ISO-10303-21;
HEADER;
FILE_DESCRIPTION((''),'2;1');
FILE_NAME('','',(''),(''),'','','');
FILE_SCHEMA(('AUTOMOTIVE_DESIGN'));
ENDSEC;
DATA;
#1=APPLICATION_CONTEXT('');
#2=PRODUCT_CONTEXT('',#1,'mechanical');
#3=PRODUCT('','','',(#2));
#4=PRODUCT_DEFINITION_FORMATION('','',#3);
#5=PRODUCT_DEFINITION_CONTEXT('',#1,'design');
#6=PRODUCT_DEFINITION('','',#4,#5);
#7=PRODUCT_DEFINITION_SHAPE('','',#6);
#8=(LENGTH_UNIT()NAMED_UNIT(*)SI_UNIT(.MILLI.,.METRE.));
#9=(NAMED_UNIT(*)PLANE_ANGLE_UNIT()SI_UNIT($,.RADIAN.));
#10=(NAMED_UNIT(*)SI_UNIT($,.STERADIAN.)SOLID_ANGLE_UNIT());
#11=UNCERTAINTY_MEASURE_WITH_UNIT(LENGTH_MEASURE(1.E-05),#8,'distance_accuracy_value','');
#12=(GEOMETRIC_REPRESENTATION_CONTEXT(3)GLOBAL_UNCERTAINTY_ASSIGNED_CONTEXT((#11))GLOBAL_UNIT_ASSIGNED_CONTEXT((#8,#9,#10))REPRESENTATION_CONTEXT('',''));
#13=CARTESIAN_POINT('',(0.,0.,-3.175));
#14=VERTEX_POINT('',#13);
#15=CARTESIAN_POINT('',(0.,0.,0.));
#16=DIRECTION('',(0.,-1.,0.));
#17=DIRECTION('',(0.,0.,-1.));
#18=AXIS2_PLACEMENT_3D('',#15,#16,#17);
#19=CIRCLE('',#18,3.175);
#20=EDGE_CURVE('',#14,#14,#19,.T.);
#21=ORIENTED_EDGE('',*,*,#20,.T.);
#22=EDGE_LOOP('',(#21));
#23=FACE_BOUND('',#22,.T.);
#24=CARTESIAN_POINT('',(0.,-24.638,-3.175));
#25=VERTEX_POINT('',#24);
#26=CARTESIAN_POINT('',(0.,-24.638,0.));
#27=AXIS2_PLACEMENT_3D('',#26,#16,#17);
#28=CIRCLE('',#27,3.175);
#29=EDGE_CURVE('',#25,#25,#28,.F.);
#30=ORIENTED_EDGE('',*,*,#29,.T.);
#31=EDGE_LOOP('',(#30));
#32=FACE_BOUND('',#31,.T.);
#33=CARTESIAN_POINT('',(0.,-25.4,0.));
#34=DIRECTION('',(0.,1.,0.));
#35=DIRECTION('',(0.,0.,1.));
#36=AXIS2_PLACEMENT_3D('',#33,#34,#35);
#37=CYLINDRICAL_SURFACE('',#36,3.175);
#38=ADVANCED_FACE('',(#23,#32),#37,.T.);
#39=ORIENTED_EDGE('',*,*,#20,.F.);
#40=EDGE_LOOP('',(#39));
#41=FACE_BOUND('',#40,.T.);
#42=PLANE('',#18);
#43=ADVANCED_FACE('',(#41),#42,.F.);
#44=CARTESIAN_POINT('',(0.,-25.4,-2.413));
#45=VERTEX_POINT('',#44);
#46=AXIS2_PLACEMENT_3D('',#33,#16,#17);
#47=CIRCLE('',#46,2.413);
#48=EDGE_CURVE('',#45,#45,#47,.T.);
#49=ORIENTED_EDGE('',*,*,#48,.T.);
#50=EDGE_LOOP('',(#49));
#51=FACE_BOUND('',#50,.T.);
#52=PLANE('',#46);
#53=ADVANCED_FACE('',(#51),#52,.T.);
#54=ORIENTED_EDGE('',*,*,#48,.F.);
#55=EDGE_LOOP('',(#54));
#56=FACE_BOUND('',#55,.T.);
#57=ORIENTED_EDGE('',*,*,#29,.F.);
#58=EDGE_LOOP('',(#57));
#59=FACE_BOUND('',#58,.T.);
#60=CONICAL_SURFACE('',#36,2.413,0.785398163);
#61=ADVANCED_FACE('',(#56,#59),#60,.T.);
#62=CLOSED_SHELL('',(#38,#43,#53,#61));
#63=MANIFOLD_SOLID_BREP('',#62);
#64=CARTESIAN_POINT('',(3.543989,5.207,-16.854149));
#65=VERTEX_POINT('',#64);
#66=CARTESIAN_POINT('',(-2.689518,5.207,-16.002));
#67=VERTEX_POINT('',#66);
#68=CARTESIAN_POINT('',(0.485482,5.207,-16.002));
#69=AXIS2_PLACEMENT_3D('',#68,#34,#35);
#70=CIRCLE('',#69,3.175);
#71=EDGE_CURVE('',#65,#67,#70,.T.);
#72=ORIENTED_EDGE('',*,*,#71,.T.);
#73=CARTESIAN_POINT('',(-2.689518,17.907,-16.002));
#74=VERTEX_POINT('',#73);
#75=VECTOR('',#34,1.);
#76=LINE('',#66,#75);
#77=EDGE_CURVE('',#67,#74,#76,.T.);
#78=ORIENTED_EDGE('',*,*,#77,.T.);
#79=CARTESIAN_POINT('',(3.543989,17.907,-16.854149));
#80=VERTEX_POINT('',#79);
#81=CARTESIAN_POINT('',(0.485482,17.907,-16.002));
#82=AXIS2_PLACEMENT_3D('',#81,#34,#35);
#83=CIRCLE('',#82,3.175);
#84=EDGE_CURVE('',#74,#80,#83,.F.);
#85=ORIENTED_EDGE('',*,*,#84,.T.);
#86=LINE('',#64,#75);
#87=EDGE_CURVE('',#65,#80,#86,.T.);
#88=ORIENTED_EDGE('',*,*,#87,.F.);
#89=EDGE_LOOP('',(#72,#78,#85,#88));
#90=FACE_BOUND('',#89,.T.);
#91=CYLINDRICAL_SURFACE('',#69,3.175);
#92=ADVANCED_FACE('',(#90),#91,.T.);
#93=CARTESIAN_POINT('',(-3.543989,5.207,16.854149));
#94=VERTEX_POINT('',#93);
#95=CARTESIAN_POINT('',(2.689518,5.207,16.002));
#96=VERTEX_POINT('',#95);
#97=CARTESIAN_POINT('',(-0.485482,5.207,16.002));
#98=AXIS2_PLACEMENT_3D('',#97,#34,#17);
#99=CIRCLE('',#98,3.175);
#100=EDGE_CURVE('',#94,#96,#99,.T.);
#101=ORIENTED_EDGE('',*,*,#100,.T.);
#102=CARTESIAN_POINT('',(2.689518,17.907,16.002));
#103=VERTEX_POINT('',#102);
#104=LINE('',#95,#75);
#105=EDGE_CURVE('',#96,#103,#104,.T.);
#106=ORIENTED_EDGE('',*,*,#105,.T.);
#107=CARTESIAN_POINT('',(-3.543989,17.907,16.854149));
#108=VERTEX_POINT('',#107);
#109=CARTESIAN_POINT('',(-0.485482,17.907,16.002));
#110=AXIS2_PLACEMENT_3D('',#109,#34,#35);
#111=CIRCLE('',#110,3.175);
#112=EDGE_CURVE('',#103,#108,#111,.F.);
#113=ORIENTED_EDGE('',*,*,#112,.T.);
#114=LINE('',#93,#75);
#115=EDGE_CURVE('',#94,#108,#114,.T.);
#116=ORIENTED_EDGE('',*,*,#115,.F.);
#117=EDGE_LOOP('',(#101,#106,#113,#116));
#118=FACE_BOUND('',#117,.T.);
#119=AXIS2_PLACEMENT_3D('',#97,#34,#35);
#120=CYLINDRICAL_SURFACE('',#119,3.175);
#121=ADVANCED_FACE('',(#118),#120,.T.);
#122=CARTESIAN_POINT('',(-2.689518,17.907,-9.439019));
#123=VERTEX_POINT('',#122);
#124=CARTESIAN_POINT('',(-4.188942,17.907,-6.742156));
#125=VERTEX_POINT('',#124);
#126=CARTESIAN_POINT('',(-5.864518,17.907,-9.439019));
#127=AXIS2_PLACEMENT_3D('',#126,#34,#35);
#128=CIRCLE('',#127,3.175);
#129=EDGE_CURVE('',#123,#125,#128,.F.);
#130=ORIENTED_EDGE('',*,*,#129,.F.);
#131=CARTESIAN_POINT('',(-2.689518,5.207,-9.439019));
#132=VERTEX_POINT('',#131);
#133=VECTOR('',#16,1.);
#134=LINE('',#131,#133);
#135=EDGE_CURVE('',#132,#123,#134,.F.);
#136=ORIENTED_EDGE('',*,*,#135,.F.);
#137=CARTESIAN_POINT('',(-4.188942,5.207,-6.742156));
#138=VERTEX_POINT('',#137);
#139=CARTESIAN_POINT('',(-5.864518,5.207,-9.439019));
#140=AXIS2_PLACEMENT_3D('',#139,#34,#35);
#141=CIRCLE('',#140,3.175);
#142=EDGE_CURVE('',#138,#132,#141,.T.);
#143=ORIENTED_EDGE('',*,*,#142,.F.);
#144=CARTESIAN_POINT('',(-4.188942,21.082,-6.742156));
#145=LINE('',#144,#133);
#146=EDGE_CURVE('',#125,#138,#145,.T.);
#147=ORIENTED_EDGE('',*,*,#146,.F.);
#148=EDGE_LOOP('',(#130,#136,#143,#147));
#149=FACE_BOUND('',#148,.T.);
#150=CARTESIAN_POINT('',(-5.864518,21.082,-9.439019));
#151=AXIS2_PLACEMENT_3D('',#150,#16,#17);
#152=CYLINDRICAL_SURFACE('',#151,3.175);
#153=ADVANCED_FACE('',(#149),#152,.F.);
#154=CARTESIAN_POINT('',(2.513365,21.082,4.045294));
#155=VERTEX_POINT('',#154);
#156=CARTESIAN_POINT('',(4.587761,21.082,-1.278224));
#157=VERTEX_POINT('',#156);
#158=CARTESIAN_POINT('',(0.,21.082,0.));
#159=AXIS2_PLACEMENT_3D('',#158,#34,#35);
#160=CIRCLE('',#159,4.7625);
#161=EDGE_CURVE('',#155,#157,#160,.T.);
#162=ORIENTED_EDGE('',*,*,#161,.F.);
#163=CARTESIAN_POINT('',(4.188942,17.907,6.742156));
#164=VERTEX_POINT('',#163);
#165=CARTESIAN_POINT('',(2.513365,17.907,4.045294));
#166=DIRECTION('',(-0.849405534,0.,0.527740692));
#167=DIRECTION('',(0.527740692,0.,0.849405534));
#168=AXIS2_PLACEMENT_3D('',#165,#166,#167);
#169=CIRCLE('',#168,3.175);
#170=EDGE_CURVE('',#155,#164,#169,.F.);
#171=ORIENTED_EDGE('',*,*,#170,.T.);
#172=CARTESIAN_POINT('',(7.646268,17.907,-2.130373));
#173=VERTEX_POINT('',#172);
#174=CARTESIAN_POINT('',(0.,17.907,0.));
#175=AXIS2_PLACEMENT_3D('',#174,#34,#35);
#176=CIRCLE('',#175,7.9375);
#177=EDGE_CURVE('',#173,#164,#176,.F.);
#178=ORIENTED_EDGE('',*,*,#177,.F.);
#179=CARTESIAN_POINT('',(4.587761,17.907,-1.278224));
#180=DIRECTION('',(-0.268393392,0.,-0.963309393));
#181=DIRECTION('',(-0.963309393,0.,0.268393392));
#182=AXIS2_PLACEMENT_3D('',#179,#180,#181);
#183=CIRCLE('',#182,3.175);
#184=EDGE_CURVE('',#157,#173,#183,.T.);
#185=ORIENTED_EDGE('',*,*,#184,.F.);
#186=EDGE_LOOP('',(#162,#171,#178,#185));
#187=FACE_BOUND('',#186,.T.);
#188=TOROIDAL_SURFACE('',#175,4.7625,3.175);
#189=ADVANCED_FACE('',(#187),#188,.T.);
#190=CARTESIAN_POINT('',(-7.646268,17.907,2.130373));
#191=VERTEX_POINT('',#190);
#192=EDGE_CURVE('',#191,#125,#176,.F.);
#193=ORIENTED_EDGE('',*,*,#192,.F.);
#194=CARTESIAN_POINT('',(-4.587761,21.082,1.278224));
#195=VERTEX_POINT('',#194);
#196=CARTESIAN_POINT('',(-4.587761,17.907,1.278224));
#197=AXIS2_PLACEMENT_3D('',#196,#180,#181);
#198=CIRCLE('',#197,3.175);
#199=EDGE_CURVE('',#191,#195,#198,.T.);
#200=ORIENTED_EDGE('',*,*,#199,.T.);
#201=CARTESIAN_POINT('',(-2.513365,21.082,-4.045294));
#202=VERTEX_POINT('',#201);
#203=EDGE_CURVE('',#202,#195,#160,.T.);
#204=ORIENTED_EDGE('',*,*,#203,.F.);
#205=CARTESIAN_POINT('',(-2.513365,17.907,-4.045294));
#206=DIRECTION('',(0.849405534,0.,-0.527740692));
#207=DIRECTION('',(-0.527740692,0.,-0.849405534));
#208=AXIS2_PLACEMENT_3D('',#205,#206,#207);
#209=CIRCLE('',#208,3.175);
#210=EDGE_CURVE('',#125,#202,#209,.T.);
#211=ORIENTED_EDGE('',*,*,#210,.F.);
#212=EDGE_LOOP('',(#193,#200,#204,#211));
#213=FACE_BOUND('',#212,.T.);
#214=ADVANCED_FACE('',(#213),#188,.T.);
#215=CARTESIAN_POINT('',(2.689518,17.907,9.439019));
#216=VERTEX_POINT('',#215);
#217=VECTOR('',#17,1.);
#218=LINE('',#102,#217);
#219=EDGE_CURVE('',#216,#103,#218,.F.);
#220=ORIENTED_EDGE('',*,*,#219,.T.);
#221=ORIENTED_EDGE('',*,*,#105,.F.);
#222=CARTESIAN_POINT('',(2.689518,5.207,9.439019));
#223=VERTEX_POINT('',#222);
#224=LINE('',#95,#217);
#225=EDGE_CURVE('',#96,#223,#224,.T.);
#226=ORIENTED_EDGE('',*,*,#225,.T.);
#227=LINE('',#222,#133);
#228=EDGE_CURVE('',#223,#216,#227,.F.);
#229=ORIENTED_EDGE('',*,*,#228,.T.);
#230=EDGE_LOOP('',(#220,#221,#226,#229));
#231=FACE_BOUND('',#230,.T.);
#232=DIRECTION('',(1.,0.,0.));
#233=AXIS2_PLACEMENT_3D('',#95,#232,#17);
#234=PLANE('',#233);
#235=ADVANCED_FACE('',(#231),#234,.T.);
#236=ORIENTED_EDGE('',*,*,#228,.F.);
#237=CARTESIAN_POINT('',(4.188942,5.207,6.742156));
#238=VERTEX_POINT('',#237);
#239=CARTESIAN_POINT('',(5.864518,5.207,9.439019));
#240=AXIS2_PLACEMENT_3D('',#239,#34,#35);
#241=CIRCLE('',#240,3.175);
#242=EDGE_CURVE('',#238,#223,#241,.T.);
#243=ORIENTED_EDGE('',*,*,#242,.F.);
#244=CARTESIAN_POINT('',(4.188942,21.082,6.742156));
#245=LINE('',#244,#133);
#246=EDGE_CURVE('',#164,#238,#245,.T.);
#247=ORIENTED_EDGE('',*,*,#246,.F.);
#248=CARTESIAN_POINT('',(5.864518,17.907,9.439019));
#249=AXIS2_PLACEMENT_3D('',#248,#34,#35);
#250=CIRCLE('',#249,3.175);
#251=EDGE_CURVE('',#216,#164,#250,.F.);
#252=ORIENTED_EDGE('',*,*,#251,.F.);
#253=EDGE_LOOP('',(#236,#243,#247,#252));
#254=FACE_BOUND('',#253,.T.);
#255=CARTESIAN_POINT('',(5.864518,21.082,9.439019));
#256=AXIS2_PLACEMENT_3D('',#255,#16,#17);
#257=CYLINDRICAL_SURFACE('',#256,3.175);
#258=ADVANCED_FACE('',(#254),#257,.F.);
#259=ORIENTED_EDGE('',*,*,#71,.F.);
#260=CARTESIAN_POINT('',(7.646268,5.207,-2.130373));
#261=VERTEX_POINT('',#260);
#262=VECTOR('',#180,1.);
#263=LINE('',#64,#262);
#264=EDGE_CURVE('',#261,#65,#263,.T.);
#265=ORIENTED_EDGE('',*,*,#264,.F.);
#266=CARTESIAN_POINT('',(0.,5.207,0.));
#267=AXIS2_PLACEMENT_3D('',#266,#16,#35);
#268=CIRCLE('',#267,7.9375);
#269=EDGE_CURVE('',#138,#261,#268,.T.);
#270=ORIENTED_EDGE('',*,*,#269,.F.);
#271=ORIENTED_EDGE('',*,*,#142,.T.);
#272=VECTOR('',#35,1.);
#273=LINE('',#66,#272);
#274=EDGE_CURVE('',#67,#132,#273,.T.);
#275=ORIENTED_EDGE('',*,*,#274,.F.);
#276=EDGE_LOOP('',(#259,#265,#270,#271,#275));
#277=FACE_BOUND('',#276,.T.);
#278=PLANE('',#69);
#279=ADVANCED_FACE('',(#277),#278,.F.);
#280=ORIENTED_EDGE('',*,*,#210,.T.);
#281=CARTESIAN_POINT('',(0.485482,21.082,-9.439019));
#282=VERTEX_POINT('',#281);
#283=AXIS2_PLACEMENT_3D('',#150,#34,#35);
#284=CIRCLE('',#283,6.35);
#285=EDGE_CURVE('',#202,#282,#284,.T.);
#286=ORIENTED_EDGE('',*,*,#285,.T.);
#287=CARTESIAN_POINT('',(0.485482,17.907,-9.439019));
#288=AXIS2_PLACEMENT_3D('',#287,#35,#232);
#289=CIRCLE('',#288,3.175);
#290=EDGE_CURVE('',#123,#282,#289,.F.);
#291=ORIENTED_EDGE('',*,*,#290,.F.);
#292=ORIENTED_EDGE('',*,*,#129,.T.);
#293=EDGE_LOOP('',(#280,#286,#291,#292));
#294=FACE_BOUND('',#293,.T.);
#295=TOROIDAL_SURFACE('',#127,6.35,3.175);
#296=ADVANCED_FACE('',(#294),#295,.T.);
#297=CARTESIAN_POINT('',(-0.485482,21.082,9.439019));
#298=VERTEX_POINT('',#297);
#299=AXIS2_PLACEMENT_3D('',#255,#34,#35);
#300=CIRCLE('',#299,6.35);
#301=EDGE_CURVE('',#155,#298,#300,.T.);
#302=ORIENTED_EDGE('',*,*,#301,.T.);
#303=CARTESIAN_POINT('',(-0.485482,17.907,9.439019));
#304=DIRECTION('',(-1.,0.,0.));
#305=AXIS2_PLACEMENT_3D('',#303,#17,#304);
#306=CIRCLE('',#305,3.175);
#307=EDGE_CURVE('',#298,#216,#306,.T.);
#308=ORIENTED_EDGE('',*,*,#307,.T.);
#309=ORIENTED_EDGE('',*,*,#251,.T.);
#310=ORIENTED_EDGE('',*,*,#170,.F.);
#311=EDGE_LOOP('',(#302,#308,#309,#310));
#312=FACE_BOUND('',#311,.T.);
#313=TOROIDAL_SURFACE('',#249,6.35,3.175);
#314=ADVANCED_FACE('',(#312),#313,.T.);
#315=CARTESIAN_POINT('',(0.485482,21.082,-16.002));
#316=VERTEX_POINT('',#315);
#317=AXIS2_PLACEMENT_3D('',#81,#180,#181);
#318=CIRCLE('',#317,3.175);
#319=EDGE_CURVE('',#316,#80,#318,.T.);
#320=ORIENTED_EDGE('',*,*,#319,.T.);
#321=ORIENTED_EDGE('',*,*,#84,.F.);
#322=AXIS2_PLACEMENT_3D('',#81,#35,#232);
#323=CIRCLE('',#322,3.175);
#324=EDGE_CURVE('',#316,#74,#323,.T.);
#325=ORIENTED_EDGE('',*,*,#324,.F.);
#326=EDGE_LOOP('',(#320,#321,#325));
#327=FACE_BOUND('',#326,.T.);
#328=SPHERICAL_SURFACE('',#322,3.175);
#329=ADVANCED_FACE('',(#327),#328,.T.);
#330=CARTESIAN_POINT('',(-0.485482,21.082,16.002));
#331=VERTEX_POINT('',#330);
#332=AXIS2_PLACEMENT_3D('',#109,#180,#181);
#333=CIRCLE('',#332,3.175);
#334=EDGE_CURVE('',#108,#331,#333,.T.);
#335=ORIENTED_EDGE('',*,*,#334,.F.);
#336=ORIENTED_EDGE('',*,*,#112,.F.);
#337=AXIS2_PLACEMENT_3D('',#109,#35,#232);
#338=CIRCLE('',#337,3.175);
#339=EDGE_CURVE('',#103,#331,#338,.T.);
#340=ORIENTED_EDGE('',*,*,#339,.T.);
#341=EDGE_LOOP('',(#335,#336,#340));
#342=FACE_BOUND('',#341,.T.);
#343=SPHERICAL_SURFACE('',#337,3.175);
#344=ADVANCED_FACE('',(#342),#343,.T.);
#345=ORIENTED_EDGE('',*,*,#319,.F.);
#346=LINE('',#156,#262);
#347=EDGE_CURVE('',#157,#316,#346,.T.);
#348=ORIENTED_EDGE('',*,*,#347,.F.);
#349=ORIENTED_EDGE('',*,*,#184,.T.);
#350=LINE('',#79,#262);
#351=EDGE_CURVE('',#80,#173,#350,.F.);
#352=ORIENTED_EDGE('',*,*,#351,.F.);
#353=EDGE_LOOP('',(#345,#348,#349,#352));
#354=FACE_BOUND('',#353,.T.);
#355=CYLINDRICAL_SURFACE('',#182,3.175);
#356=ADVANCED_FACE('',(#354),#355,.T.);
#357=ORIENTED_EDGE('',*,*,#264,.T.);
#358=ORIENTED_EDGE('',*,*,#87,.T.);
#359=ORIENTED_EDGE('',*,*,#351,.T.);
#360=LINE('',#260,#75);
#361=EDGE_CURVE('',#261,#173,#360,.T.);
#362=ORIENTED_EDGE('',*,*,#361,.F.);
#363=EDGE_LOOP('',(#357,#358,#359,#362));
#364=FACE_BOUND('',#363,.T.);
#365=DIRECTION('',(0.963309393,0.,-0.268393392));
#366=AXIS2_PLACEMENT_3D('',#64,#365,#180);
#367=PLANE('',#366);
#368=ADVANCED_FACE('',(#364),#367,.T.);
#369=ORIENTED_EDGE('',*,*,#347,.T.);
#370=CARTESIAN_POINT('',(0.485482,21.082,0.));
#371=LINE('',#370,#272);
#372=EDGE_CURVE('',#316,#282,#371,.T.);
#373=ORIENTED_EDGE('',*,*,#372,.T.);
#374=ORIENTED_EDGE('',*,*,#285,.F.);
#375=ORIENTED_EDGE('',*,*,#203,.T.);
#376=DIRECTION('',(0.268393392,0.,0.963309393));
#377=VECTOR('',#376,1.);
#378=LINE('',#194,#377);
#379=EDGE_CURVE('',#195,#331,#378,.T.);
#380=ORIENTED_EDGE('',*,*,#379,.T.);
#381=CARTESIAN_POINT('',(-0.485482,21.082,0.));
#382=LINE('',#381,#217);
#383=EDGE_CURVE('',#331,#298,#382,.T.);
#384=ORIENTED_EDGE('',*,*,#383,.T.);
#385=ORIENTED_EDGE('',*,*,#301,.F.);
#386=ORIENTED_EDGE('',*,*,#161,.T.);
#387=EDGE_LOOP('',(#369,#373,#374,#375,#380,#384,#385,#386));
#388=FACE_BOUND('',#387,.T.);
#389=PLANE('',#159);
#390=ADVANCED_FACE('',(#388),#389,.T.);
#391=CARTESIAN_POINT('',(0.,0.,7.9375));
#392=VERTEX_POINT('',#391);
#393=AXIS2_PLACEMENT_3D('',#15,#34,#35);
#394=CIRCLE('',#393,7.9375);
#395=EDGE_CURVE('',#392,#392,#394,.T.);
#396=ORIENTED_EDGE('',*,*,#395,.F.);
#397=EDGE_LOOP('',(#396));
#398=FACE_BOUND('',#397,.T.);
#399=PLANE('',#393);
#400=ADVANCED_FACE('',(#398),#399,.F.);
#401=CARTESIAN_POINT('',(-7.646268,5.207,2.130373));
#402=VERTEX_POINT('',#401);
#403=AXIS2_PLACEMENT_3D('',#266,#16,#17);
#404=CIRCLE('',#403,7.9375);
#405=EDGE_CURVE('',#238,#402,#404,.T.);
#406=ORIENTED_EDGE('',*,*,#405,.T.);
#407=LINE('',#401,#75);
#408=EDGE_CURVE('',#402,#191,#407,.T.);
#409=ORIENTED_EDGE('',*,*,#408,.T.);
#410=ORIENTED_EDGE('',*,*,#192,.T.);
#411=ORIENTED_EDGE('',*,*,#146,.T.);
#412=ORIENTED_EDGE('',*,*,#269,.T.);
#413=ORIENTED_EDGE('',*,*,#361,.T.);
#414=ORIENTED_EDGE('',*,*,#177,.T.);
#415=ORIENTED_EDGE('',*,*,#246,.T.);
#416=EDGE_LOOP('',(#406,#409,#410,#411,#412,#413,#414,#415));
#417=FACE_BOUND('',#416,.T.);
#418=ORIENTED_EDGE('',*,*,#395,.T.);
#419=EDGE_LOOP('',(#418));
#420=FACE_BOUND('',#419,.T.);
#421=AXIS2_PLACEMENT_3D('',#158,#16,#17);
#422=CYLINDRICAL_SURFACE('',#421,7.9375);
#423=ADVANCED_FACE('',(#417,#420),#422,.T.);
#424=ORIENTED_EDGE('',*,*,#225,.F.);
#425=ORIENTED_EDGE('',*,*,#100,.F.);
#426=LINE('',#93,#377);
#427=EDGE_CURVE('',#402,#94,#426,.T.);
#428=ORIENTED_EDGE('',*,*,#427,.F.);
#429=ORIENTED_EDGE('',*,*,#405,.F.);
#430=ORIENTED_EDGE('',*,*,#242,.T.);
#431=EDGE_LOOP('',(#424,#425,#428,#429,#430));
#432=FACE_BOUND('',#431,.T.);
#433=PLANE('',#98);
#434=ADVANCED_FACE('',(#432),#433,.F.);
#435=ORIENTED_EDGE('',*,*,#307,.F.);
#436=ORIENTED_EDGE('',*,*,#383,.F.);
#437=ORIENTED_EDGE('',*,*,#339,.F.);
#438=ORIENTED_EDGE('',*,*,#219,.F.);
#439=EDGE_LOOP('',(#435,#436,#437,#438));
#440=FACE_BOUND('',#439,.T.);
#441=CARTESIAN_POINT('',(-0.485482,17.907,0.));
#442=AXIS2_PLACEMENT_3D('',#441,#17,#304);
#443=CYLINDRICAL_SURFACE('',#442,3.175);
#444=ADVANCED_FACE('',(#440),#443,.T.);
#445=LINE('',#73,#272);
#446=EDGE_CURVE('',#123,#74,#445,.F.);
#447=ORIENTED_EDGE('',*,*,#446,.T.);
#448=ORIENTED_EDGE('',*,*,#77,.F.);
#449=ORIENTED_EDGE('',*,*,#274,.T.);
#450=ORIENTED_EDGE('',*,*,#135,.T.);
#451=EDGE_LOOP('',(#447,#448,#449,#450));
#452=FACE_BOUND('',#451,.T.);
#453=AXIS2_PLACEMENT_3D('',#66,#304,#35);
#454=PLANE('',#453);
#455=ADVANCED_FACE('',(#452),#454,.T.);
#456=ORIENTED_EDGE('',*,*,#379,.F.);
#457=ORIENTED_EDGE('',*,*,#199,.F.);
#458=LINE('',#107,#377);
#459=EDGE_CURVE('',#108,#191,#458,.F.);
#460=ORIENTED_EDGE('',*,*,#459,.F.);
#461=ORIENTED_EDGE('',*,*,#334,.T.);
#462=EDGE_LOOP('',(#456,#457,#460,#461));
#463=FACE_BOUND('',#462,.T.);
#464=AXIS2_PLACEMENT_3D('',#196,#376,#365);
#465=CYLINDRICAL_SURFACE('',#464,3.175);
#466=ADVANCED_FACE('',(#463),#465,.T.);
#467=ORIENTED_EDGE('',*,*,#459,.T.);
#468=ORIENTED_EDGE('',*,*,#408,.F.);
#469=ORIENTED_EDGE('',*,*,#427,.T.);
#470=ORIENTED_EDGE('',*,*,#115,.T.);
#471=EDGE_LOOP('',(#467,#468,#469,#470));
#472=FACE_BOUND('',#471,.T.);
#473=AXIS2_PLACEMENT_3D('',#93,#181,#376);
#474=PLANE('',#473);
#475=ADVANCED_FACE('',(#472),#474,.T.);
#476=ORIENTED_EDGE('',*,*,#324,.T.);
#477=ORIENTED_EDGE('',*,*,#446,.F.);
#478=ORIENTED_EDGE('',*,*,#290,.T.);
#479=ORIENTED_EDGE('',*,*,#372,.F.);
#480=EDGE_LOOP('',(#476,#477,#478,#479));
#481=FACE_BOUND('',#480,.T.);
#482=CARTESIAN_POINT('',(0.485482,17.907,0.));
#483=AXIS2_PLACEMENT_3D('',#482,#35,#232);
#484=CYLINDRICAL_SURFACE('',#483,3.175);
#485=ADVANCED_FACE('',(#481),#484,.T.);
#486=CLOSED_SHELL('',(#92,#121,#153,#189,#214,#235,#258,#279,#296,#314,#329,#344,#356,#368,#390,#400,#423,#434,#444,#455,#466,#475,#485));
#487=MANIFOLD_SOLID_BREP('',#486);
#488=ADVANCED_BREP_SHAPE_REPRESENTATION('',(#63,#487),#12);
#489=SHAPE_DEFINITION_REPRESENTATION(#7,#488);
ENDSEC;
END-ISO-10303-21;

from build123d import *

# Parameters (mm, degrees)
SKETCH1_R         = 7.9375
EXTRUDE1_DEPTH    = 21.082
EXTRUDE2_DEPTH    = 15.875
CIRPATTERN4_COUNT = 2
FILLET1_R         = 3.175
SKETCH7_R         = 3.175
EXTRUDE3_DEPTH    = 25.4
CHAMFER1_SIZE     = 0.762


with BuildPart() as part:
    # Sketch1 → Extrude1 (new body)
    with BuildSketch(Plane(origin=(0, 0, 0), x_dir=(1, 0, 0), z_dir=(0, 1, 0))):
        Circle(SKETCH1_R)
    extrude(amount=EXTRUDE1_DEPTH)

    # Sketch2 → Extrude2 (add)
    with BuildSketch(Plane(origin=(0, 21.082, 0), x_dir=(-1, 0, 0), z_dir=(0, 1, 0))):
        with BuildLine():
            Line((2.68951844, -16.002), (2.68951844, -7.467958008))
            ThreePointArc((2.68951844, -7.467958008), (-3.642086896, -7.052595926), (-7.64626831, -2.130372546))
            Line((-7.64626831, -2.130372546), (-3.543988884, -16.854149018))
            ThreePointArc((-3.543988884, -16.854149018), (-0.055444209, -19.147742023), (2.68951844, -16.002))
        make_face()
    extrude2 = extrude(amount=-EXTRUDE2_DEPTH)

    # CirPattern4: Extrude2 ×2 about axis
    cirpattern4_axis = Axis((0, 0, 0), (0, 1, 0))
    for i in range(1, CIRPATTERN4_COUNT):
        add(extrude2.rotate(cirpattern4_axis, i * 360 / CIRPATTERN4_COUNT))

    # Fillet1
    fillet1_edges = [part.edges().sort_by_distance(p)[0] for p in [
        (6.494303614, 21.082, 4.563762353),
        (2.68951844, 13.1445, 7.467958008),
        (-0.055444209, 21.082, 19.147742023),
        (2.68951844, 21.082, 11.734979004),
        (-5.595128597, 21.082, 9.492260782),
        (-7.052595926, 21.082, -3.642086896),
        (-2.68951844, 13.1445, -7.467958008),
        (0.055444209, 21.082, -19.147742023),
        (-2.68951844, 21.082, -11.734979004),
        (5.595128597, 21.082, -9.492260782),
    ]]
    fillet(fillet1_edges, radius=FILLET1_R)


with BuildPart() as body_2:
    # Sketch7 → Extrude3 (new body)
    with BuildSketch(Plane.XZ):
        Circle(SKETCH7_R)
    extrude(amount=EXTRUDE3_DEPTH)

    # Chamfer1
    chamfer1_edges = [body_2.edges().sort_by_distance(p)[0] for p in [
        (-3.175, -25.4, 0),
    ]]
    chamfer(chamfer1_edges, length=CHAMFER1_SIZE)


solid = Compound([part.part, body_2.part])
